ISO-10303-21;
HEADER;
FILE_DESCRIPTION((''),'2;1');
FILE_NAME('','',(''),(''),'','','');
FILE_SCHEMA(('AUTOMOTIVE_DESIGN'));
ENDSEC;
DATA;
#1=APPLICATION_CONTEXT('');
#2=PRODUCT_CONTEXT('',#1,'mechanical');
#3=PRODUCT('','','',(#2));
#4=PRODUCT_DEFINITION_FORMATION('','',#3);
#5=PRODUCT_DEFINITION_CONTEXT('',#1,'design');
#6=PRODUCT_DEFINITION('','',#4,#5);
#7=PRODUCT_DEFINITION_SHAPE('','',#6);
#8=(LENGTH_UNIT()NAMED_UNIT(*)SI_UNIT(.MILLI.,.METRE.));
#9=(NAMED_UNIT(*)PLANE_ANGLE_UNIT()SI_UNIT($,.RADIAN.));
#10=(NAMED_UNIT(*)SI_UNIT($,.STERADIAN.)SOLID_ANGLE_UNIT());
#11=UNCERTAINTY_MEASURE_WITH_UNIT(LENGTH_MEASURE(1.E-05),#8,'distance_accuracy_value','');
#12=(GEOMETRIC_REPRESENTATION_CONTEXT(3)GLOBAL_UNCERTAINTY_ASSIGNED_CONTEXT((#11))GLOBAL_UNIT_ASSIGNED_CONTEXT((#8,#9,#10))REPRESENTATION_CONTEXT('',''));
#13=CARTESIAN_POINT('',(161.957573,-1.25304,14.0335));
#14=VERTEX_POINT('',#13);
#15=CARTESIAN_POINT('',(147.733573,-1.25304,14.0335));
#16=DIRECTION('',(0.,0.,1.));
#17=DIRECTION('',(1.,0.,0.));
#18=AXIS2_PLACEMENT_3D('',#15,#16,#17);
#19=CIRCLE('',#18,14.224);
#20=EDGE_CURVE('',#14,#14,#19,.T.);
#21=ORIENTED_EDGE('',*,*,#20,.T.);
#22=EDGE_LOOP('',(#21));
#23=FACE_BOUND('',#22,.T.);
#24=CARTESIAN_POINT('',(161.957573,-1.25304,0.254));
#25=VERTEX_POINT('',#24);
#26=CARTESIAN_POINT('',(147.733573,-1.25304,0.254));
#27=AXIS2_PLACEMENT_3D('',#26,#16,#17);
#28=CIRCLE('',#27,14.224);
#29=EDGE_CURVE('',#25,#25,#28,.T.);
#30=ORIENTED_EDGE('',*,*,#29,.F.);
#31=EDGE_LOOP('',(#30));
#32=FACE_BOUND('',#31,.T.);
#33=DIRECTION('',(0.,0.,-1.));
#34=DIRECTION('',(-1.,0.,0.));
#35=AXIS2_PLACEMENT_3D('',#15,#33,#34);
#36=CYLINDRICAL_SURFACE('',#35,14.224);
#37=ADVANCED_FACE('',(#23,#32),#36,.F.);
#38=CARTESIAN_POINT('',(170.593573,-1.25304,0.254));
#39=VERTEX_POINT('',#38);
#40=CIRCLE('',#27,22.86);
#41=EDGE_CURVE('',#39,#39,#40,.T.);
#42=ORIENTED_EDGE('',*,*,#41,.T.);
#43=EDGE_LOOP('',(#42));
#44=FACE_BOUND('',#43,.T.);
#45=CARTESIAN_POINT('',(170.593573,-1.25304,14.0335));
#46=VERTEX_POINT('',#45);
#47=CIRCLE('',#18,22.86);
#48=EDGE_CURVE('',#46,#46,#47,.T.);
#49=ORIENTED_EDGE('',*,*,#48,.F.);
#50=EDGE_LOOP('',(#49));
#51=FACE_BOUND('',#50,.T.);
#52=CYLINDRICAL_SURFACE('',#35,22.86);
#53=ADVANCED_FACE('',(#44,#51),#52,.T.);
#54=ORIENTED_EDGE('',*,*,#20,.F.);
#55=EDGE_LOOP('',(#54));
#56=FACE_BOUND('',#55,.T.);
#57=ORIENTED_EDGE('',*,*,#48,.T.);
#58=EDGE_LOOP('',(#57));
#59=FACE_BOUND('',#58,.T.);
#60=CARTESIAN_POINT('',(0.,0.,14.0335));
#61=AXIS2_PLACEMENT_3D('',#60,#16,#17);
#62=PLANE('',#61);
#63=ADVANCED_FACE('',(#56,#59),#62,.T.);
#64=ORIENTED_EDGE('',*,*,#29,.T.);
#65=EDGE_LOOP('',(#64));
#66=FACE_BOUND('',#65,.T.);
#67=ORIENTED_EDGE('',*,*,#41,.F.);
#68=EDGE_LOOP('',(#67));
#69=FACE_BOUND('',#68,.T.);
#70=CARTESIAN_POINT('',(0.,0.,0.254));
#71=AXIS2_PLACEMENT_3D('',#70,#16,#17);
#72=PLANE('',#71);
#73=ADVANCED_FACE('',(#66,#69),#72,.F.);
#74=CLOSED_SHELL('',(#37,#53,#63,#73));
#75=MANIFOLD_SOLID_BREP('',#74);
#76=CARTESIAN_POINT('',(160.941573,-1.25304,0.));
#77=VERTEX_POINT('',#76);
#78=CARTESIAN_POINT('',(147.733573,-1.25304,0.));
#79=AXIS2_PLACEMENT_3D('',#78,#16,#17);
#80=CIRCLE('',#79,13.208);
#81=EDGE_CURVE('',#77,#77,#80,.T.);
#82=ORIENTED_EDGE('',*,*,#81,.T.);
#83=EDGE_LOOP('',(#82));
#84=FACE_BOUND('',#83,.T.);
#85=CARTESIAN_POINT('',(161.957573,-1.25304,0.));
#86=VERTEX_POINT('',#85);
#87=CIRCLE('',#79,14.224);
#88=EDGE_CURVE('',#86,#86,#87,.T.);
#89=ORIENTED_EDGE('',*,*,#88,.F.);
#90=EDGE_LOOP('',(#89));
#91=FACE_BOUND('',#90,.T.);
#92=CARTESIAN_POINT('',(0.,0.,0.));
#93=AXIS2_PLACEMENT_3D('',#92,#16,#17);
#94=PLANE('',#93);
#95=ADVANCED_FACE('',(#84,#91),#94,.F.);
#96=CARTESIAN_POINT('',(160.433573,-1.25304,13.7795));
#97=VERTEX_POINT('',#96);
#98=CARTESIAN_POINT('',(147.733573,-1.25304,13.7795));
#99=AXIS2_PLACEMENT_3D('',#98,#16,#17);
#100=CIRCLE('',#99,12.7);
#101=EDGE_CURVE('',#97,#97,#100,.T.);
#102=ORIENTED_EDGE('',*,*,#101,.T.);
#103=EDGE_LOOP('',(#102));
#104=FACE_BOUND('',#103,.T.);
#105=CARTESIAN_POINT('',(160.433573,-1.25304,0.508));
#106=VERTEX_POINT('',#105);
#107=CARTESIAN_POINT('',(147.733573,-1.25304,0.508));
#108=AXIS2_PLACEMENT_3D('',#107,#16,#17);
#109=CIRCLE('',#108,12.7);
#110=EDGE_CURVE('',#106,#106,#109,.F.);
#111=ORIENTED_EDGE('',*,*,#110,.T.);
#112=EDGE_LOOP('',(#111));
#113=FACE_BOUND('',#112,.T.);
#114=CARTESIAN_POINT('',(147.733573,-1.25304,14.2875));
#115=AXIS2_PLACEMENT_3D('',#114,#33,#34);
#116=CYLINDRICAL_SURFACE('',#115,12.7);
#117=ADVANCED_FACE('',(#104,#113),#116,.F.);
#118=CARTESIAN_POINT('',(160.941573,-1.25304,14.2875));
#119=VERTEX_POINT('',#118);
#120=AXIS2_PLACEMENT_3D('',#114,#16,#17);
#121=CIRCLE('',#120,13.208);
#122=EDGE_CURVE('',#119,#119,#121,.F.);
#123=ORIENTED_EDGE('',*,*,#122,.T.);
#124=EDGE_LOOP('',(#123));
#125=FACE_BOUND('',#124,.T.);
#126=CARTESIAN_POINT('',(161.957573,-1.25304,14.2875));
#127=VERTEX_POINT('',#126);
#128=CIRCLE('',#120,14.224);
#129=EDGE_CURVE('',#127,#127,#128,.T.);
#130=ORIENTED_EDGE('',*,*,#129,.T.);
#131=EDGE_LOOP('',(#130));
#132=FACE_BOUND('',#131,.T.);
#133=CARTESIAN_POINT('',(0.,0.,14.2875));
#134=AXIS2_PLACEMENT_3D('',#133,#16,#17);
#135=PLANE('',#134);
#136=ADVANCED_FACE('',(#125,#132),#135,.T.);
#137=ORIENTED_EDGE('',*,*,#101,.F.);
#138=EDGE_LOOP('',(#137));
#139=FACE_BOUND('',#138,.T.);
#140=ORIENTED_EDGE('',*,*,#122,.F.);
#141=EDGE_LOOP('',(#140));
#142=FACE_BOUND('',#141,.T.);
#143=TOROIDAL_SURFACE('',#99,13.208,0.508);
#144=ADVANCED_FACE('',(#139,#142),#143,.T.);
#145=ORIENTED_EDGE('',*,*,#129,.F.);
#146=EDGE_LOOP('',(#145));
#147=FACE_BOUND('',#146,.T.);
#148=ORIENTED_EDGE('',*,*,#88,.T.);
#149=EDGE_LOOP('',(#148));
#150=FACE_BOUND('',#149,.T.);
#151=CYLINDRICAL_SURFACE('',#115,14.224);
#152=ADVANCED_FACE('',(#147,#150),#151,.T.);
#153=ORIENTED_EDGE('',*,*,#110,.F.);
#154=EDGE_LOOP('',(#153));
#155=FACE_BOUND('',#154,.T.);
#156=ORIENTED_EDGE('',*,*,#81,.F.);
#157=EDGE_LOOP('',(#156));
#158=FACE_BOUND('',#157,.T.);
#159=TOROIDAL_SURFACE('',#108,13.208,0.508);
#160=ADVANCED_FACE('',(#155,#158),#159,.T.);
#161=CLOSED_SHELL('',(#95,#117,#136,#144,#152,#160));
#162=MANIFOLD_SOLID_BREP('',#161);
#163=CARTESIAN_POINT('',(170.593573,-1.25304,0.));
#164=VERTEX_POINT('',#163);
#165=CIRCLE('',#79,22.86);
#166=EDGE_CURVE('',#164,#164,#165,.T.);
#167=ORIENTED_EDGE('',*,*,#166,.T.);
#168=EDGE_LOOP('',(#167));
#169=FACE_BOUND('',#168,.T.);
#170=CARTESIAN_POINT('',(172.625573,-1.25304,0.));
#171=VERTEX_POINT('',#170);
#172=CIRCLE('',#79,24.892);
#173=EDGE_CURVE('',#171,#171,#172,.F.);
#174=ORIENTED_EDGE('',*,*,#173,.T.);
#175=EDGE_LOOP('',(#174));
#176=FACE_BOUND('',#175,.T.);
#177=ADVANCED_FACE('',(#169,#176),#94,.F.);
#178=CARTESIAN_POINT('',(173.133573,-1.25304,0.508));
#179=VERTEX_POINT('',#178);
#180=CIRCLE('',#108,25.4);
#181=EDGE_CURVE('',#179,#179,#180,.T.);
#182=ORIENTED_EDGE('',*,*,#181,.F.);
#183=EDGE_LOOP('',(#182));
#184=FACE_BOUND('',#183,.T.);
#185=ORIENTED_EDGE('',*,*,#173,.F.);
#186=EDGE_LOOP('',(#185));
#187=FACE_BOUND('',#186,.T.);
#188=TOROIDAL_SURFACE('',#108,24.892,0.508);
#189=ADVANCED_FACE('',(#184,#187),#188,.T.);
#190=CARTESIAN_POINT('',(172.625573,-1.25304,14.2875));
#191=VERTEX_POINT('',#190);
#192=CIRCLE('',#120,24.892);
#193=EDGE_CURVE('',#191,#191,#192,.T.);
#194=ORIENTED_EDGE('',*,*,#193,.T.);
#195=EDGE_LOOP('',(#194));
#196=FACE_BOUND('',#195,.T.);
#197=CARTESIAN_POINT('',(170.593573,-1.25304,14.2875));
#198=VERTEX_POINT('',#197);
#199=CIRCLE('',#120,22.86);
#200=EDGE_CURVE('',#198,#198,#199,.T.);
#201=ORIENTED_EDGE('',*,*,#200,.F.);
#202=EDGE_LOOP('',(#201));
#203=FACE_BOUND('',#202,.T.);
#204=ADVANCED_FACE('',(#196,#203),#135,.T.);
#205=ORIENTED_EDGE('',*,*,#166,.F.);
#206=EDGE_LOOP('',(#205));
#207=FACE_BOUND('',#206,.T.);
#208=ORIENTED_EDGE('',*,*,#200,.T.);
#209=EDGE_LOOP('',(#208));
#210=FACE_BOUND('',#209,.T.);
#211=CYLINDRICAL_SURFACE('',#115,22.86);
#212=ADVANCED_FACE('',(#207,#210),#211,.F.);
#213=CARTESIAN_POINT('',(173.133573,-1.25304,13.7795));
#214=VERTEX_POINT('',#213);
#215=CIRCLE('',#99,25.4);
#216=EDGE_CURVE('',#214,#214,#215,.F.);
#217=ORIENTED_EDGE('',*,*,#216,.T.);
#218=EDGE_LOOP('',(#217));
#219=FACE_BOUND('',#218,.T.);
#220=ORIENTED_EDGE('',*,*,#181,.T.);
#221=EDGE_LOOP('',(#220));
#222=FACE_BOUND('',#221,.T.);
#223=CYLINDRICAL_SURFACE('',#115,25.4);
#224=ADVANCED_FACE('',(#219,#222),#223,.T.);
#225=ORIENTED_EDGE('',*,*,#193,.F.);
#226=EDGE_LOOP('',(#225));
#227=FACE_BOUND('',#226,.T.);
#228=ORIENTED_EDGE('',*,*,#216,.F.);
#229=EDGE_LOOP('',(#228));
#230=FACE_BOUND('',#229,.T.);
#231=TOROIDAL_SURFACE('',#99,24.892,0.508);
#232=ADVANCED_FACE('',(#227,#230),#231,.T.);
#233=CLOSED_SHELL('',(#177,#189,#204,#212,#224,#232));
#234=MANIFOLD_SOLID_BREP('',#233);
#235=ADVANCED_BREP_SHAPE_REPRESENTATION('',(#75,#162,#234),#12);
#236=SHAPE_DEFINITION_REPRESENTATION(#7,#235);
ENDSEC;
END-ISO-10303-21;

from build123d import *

# Parameters (mm, degrees)
SKETCH3_R             = 14.224
SKETCH3_R_2           = 12.7
BOSS_EXTRUDE1_DEPTH   = 14.2875
SKETCH3_R_3           = 25.4
SKETCH3_R_4           = 22.86
BOSS_EXTRUDE1_2_DEPTH = 14.2875
BOSS_EXTRUDE2_START   = 0.254
SKETCH3_3_R           = 22.86
SKETCH3_3_R_2         = 14.224
BOSS_EXTRUDE2_DEPTH   = 13.7795
FILLET1_R             = 0.508
FILLET2_R             = 0.508


with BuildPart() as part:
    # Sketch3 → Boss-Extrude1 (new body)
    with BuildSketch(Plane.XY):
        with Locations((147.733573081, -1.253039706)):
            Circle(SKETCH3_R)
        with Locations((147.733573081, -1.253039706)):
            Circle(SKETCH3_R_2, mode=Mode.SUBTRACT)
    extrude(amount=BOSS_EXTRUDE1_DEPTH)

    # Fillet1
    fillet1_edges = [part.edges().sort_by_distance(p)[0] for p in [
        (135.033573081, -1.253039706, 14.2875),
        (135.033573081, -1.253039706, 0),
    ]]
    fillet(fillet1_edges, radius=FILLET1_R)


with BuildPart() as body_2:
    # Sketch3 → Boss-Extrude1 2 (new body)
    with BuildSketch(Plane.XY):
        with Locations((147.733573081, -1.253039706)):
            Circle(SKETCH3_R_3)
        with Locations((147.733573081, -1.253039706)):
            Circle(SKETCH3_R_4, mode=Mode.SUBTRACT)
    extrude(amount=BOSS_EXTRUDE1_2_DEPTH)

    # Fillet2
    fillet2_edges = [body_2.edges().sort_by_distance(p)[0] for p in [
        (122.333573081, -1.253039706, 14.2875),
        (122.333573081, -1.253039706, 0),
    ]]
    fillet(fillet2_edges, radius=FILLET2_R)


with BuildPart() as body_3:
    # Sketch3<3> → Boss-Extrude2 (new body)
    with BuildSketch(Plane.XY.offset(BOSS_EXTRUDE2_START)):
        with Locations((147.733573081, -1.253039706)):
            Circle(SKETCH3_3_R)
        with Locations((147.733573081, -1.253039706)):
            Circle(SKETCH3_3_R_2, mode=Mode.SUBTRACT)
    extrude(amount=BOSS_EXTRUDE2_DEPTH)


solid = Compound([part.part, body_2.part, body_3.part])
